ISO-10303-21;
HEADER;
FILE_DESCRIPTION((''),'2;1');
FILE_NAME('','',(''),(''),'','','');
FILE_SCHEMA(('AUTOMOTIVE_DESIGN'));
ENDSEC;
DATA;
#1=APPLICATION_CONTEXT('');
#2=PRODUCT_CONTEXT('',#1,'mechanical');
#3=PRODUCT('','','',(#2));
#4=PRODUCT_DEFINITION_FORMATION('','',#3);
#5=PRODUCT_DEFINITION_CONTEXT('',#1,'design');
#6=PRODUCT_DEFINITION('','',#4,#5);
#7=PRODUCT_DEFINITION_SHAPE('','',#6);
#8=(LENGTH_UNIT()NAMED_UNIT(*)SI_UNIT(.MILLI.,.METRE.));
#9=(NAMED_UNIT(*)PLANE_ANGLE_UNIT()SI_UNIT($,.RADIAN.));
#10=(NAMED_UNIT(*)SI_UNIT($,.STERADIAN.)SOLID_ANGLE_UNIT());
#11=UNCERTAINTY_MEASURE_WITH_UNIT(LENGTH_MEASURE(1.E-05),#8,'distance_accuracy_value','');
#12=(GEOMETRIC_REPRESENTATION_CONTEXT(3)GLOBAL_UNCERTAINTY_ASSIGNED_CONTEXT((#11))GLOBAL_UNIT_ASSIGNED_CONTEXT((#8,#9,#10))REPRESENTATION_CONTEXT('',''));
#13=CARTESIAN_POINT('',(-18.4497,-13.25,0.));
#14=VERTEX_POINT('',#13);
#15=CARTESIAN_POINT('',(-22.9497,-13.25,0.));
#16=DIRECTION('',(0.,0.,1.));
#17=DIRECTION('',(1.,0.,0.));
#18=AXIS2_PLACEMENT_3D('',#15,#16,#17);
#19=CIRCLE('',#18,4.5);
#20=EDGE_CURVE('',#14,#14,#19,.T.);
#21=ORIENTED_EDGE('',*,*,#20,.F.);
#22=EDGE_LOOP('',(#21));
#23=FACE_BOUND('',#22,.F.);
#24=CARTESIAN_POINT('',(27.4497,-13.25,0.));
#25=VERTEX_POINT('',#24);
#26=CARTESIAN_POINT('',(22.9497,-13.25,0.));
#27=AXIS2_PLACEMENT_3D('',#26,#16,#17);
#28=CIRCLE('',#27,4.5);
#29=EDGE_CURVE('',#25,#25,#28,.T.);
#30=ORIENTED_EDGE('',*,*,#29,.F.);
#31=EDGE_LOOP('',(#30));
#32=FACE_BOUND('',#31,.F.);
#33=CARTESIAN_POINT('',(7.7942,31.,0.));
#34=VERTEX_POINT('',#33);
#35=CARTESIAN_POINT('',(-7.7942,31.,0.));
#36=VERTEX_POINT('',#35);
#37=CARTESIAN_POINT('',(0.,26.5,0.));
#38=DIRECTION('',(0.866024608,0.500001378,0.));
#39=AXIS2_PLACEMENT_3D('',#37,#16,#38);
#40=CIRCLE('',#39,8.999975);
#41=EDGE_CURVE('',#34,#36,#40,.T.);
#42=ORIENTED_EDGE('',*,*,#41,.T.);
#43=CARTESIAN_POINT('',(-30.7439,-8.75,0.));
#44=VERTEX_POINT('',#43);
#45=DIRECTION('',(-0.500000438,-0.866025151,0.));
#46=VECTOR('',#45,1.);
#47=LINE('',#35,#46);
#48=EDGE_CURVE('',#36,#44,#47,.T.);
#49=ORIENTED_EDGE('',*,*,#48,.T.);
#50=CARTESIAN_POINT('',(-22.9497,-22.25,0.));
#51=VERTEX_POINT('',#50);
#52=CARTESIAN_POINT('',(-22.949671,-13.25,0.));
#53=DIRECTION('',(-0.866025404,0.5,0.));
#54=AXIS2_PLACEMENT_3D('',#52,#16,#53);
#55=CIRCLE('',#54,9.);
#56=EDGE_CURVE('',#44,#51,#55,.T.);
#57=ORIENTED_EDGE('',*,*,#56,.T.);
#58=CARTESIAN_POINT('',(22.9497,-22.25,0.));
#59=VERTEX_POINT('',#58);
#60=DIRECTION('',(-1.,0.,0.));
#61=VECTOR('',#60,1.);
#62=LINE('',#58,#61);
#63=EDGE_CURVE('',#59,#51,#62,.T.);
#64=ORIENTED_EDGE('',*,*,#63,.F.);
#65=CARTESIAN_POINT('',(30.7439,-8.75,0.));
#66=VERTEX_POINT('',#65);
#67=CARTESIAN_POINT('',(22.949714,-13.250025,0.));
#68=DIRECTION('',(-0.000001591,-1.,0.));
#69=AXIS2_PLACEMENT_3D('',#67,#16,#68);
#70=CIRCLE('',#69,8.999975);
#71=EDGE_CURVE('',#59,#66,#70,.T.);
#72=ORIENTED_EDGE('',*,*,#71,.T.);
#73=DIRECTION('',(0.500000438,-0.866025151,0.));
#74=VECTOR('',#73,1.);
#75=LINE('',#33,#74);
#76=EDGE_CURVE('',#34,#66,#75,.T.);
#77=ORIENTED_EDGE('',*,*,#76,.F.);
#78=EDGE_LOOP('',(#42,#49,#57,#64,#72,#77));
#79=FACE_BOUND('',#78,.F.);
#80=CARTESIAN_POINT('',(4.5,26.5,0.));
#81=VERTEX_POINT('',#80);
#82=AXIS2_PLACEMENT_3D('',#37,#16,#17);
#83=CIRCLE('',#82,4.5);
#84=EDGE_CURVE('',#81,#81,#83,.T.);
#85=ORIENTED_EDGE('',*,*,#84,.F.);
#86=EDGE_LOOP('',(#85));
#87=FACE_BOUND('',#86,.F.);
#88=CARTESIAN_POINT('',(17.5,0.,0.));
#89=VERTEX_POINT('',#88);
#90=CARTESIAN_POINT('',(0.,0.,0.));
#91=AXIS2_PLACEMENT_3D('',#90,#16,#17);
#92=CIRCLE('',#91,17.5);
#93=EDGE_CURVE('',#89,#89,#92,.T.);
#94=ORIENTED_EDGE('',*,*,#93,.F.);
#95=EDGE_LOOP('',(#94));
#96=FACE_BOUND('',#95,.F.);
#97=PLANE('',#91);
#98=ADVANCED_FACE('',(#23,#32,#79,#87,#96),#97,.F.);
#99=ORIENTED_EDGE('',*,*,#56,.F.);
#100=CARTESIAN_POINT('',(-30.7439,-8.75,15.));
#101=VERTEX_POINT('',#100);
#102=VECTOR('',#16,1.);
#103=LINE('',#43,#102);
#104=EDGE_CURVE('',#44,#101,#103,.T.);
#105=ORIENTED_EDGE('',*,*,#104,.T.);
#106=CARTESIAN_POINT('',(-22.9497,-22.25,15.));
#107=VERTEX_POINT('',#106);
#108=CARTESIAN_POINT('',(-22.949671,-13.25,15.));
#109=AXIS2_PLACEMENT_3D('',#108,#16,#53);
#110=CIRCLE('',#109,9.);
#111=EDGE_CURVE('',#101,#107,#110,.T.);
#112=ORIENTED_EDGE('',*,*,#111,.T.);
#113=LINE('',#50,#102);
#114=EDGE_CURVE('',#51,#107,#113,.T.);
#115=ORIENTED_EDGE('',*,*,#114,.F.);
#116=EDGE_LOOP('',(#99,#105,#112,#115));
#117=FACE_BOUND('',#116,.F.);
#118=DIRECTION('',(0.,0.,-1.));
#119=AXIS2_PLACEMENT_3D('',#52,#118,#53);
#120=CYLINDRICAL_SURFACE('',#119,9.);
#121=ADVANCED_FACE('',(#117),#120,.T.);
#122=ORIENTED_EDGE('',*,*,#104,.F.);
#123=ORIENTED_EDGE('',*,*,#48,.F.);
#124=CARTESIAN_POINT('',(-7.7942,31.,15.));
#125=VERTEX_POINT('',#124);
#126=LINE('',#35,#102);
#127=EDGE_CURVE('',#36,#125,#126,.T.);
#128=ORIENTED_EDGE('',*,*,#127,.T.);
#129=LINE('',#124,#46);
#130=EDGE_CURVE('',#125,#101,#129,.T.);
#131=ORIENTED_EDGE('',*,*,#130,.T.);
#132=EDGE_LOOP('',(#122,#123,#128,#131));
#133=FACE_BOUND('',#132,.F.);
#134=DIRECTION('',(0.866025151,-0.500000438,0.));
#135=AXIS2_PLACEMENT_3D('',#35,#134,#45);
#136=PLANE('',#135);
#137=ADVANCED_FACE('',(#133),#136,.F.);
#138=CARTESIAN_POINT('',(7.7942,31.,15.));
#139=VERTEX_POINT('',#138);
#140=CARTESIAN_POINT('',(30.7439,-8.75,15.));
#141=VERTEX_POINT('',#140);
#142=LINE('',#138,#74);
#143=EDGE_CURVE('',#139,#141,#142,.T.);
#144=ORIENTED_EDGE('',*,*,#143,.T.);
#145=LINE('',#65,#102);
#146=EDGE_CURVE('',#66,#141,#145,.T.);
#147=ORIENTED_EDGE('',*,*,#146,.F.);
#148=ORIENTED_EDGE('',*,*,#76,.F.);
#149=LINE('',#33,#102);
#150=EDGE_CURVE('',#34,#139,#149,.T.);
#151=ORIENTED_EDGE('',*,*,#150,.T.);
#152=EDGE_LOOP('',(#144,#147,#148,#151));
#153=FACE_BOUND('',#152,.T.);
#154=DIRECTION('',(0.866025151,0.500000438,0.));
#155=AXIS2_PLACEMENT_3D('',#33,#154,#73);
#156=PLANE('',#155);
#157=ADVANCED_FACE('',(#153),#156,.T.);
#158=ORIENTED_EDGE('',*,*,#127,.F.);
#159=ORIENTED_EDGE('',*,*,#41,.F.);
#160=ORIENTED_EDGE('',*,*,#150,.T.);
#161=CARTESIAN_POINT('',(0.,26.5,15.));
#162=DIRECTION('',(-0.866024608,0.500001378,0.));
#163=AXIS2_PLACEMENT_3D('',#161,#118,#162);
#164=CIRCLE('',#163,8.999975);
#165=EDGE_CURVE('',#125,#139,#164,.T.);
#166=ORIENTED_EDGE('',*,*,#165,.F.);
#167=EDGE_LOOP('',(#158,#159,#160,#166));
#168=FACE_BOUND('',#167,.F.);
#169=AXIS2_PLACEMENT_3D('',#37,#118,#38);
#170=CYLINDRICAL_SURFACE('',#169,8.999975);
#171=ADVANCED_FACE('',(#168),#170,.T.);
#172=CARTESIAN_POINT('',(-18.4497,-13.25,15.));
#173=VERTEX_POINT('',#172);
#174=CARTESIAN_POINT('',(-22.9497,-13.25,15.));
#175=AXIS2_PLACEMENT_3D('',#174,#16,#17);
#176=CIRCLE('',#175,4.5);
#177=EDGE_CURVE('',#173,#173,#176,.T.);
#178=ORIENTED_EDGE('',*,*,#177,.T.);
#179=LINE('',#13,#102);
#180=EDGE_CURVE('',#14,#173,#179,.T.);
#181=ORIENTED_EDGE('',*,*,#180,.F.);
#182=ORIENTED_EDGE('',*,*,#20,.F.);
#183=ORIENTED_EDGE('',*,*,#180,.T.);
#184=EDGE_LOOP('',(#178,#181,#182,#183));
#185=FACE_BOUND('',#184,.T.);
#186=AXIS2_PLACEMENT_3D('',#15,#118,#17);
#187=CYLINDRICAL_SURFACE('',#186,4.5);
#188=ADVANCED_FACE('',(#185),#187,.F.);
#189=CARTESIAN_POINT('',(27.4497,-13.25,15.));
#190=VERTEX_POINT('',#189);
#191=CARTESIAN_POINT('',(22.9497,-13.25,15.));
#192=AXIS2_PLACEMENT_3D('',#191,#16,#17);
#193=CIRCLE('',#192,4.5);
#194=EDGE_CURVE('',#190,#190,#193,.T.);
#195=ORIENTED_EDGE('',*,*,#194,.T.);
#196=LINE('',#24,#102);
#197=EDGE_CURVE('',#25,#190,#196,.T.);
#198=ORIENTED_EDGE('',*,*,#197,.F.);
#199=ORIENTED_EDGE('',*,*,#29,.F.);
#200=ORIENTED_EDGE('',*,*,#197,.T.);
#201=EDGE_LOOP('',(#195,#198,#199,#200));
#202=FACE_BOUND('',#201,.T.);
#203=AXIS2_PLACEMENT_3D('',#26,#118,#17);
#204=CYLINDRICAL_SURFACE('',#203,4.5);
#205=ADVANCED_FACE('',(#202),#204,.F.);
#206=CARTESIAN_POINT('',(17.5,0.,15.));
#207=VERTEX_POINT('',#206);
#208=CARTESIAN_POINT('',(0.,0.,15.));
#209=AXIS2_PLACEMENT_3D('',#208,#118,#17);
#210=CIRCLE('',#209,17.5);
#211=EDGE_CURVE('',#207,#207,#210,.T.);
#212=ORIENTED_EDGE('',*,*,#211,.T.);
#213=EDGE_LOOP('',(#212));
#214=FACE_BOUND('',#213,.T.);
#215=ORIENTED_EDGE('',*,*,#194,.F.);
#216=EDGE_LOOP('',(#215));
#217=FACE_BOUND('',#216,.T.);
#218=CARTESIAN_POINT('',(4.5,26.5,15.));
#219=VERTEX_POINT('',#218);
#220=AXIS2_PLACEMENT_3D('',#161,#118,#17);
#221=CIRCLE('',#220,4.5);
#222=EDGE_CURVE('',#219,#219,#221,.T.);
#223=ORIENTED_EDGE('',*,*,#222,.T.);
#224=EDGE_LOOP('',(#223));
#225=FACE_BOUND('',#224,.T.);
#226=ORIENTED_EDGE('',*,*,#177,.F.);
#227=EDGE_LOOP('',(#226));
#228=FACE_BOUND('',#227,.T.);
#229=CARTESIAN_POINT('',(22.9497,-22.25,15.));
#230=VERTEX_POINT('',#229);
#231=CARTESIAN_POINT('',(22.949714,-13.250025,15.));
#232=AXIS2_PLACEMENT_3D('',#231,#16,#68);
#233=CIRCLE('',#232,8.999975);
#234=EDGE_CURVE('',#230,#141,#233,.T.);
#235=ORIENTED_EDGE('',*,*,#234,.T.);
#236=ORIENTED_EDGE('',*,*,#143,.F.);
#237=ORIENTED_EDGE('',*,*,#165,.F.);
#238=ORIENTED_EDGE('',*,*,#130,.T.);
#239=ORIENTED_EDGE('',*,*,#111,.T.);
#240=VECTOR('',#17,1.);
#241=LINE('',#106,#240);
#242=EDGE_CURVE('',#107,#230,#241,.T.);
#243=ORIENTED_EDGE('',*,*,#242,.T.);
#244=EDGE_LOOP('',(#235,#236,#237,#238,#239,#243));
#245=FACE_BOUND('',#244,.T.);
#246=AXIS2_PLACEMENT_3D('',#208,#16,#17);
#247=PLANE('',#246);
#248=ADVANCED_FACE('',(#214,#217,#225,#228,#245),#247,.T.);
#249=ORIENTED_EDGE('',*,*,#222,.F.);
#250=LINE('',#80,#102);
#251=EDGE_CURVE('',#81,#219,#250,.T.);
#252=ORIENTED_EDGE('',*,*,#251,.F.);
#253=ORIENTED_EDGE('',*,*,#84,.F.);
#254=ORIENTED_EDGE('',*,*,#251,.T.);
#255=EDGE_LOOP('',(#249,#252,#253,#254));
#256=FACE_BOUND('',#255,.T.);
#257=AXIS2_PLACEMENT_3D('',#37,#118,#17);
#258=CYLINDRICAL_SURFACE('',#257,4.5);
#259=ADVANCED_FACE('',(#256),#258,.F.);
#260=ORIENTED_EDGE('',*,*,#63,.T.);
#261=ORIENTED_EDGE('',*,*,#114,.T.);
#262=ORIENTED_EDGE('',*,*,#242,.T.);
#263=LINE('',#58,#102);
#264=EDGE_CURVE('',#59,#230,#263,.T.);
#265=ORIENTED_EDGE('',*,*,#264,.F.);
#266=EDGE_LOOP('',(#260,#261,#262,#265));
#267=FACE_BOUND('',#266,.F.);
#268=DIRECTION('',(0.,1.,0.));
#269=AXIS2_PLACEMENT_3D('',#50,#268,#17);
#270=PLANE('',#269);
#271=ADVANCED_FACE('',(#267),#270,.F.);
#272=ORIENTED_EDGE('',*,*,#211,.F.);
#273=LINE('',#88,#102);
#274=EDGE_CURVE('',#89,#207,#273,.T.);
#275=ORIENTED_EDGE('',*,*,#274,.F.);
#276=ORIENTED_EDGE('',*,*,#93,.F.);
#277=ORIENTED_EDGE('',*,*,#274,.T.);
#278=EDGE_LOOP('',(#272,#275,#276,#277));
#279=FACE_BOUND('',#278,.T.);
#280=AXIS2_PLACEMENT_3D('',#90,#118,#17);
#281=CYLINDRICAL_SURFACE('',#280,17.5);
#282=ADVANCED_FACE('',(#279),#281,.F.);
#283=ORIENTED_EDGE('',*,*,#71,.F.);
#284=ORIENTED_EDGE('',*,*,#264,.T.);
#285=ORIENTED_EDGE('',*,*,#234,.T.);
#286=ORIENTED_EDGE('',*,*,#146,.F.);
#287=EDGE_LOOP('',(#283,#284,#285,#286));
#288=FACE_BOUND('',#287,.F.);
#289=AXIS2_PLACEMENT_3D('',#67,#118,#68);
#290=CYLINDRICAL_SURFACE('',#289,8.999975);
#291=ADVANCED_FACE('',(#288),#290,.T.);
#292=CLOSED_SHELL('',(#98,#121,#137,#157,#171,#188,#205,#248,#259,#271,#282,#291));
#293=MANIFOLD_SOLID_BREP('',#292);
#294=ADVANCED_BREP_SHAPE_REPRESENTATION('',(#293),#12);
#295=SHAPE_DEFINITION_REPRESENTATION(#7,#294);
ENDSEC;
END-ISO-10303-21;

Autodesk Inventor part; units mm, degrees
ref_plane "YZ Plane" through (0, 0, 0) normal (1, 0, 0) x (0, 1, 0)
ref_plane "XZ Plane" through (0, 0, 0) normal (0, 1, 0) x (-1, 0, 0)
ref_plane "XY Plane" through (0, 0, 0) normal (0, 0, 1) x (1, 0, 0)
sketch "草图1" plane through (0, 0, 0) normal (0, 0, 1) x (1, 0, 0)
  line L0 (-7.7942, 31) -> (-30.7439, -8.75)
  line L1 (-22.9497, -22.25) -> (22.9497, -22.25)
  line L2 (7.7942, 31) -> (30.7439, -8.75)
  arc A0 (-30.7439, -8.75) -> (-22.9497, -22.25) centre (-22.9497, -13.25) ccw
  arc A1 (7.7942, 31) -> (-7.7942, 31) centre (0, 26.5) ccw
  arc A2 (22.9497, -22.25) -> (30.7439, -8.75) centre (22.9497, -13.25) ccw
  circle A3 centre (0, 0) radius 17.5
  circle A4 centre (0, 0) radius 26.5 construction
  circle A5 centre (-22.9497, -13.25) radius 4.5
  circle A6 centre (22.9497, -13.25) radius 4.5
  line L3 (0.1003, 40.3502) -> (0, 40.5239)
  line L4 (0, -39.0522) -> (0, 40.5239)
  line L5 (0, 0) -> (-22.9497, -13.25) construction
  line L6 (0, 0) -> (-28.9741, 0) construction
  circle A7 centre (0, 26.5) radius 4.5
  dimension "d0" = 9
  dimension "d1" = 9
  dimension "d2" = 9
  dimension "d3" = 53
  dimension "d4" = 35
  dimension "d5" = 30
  dimension "d6" = 9
extrude "拉伸1" add sketch "草图1" along normal blind 15 contours A1 L4 A7 A3 L1 A0 L0 | A1 L2 A2 L1 L4 A3 A7
